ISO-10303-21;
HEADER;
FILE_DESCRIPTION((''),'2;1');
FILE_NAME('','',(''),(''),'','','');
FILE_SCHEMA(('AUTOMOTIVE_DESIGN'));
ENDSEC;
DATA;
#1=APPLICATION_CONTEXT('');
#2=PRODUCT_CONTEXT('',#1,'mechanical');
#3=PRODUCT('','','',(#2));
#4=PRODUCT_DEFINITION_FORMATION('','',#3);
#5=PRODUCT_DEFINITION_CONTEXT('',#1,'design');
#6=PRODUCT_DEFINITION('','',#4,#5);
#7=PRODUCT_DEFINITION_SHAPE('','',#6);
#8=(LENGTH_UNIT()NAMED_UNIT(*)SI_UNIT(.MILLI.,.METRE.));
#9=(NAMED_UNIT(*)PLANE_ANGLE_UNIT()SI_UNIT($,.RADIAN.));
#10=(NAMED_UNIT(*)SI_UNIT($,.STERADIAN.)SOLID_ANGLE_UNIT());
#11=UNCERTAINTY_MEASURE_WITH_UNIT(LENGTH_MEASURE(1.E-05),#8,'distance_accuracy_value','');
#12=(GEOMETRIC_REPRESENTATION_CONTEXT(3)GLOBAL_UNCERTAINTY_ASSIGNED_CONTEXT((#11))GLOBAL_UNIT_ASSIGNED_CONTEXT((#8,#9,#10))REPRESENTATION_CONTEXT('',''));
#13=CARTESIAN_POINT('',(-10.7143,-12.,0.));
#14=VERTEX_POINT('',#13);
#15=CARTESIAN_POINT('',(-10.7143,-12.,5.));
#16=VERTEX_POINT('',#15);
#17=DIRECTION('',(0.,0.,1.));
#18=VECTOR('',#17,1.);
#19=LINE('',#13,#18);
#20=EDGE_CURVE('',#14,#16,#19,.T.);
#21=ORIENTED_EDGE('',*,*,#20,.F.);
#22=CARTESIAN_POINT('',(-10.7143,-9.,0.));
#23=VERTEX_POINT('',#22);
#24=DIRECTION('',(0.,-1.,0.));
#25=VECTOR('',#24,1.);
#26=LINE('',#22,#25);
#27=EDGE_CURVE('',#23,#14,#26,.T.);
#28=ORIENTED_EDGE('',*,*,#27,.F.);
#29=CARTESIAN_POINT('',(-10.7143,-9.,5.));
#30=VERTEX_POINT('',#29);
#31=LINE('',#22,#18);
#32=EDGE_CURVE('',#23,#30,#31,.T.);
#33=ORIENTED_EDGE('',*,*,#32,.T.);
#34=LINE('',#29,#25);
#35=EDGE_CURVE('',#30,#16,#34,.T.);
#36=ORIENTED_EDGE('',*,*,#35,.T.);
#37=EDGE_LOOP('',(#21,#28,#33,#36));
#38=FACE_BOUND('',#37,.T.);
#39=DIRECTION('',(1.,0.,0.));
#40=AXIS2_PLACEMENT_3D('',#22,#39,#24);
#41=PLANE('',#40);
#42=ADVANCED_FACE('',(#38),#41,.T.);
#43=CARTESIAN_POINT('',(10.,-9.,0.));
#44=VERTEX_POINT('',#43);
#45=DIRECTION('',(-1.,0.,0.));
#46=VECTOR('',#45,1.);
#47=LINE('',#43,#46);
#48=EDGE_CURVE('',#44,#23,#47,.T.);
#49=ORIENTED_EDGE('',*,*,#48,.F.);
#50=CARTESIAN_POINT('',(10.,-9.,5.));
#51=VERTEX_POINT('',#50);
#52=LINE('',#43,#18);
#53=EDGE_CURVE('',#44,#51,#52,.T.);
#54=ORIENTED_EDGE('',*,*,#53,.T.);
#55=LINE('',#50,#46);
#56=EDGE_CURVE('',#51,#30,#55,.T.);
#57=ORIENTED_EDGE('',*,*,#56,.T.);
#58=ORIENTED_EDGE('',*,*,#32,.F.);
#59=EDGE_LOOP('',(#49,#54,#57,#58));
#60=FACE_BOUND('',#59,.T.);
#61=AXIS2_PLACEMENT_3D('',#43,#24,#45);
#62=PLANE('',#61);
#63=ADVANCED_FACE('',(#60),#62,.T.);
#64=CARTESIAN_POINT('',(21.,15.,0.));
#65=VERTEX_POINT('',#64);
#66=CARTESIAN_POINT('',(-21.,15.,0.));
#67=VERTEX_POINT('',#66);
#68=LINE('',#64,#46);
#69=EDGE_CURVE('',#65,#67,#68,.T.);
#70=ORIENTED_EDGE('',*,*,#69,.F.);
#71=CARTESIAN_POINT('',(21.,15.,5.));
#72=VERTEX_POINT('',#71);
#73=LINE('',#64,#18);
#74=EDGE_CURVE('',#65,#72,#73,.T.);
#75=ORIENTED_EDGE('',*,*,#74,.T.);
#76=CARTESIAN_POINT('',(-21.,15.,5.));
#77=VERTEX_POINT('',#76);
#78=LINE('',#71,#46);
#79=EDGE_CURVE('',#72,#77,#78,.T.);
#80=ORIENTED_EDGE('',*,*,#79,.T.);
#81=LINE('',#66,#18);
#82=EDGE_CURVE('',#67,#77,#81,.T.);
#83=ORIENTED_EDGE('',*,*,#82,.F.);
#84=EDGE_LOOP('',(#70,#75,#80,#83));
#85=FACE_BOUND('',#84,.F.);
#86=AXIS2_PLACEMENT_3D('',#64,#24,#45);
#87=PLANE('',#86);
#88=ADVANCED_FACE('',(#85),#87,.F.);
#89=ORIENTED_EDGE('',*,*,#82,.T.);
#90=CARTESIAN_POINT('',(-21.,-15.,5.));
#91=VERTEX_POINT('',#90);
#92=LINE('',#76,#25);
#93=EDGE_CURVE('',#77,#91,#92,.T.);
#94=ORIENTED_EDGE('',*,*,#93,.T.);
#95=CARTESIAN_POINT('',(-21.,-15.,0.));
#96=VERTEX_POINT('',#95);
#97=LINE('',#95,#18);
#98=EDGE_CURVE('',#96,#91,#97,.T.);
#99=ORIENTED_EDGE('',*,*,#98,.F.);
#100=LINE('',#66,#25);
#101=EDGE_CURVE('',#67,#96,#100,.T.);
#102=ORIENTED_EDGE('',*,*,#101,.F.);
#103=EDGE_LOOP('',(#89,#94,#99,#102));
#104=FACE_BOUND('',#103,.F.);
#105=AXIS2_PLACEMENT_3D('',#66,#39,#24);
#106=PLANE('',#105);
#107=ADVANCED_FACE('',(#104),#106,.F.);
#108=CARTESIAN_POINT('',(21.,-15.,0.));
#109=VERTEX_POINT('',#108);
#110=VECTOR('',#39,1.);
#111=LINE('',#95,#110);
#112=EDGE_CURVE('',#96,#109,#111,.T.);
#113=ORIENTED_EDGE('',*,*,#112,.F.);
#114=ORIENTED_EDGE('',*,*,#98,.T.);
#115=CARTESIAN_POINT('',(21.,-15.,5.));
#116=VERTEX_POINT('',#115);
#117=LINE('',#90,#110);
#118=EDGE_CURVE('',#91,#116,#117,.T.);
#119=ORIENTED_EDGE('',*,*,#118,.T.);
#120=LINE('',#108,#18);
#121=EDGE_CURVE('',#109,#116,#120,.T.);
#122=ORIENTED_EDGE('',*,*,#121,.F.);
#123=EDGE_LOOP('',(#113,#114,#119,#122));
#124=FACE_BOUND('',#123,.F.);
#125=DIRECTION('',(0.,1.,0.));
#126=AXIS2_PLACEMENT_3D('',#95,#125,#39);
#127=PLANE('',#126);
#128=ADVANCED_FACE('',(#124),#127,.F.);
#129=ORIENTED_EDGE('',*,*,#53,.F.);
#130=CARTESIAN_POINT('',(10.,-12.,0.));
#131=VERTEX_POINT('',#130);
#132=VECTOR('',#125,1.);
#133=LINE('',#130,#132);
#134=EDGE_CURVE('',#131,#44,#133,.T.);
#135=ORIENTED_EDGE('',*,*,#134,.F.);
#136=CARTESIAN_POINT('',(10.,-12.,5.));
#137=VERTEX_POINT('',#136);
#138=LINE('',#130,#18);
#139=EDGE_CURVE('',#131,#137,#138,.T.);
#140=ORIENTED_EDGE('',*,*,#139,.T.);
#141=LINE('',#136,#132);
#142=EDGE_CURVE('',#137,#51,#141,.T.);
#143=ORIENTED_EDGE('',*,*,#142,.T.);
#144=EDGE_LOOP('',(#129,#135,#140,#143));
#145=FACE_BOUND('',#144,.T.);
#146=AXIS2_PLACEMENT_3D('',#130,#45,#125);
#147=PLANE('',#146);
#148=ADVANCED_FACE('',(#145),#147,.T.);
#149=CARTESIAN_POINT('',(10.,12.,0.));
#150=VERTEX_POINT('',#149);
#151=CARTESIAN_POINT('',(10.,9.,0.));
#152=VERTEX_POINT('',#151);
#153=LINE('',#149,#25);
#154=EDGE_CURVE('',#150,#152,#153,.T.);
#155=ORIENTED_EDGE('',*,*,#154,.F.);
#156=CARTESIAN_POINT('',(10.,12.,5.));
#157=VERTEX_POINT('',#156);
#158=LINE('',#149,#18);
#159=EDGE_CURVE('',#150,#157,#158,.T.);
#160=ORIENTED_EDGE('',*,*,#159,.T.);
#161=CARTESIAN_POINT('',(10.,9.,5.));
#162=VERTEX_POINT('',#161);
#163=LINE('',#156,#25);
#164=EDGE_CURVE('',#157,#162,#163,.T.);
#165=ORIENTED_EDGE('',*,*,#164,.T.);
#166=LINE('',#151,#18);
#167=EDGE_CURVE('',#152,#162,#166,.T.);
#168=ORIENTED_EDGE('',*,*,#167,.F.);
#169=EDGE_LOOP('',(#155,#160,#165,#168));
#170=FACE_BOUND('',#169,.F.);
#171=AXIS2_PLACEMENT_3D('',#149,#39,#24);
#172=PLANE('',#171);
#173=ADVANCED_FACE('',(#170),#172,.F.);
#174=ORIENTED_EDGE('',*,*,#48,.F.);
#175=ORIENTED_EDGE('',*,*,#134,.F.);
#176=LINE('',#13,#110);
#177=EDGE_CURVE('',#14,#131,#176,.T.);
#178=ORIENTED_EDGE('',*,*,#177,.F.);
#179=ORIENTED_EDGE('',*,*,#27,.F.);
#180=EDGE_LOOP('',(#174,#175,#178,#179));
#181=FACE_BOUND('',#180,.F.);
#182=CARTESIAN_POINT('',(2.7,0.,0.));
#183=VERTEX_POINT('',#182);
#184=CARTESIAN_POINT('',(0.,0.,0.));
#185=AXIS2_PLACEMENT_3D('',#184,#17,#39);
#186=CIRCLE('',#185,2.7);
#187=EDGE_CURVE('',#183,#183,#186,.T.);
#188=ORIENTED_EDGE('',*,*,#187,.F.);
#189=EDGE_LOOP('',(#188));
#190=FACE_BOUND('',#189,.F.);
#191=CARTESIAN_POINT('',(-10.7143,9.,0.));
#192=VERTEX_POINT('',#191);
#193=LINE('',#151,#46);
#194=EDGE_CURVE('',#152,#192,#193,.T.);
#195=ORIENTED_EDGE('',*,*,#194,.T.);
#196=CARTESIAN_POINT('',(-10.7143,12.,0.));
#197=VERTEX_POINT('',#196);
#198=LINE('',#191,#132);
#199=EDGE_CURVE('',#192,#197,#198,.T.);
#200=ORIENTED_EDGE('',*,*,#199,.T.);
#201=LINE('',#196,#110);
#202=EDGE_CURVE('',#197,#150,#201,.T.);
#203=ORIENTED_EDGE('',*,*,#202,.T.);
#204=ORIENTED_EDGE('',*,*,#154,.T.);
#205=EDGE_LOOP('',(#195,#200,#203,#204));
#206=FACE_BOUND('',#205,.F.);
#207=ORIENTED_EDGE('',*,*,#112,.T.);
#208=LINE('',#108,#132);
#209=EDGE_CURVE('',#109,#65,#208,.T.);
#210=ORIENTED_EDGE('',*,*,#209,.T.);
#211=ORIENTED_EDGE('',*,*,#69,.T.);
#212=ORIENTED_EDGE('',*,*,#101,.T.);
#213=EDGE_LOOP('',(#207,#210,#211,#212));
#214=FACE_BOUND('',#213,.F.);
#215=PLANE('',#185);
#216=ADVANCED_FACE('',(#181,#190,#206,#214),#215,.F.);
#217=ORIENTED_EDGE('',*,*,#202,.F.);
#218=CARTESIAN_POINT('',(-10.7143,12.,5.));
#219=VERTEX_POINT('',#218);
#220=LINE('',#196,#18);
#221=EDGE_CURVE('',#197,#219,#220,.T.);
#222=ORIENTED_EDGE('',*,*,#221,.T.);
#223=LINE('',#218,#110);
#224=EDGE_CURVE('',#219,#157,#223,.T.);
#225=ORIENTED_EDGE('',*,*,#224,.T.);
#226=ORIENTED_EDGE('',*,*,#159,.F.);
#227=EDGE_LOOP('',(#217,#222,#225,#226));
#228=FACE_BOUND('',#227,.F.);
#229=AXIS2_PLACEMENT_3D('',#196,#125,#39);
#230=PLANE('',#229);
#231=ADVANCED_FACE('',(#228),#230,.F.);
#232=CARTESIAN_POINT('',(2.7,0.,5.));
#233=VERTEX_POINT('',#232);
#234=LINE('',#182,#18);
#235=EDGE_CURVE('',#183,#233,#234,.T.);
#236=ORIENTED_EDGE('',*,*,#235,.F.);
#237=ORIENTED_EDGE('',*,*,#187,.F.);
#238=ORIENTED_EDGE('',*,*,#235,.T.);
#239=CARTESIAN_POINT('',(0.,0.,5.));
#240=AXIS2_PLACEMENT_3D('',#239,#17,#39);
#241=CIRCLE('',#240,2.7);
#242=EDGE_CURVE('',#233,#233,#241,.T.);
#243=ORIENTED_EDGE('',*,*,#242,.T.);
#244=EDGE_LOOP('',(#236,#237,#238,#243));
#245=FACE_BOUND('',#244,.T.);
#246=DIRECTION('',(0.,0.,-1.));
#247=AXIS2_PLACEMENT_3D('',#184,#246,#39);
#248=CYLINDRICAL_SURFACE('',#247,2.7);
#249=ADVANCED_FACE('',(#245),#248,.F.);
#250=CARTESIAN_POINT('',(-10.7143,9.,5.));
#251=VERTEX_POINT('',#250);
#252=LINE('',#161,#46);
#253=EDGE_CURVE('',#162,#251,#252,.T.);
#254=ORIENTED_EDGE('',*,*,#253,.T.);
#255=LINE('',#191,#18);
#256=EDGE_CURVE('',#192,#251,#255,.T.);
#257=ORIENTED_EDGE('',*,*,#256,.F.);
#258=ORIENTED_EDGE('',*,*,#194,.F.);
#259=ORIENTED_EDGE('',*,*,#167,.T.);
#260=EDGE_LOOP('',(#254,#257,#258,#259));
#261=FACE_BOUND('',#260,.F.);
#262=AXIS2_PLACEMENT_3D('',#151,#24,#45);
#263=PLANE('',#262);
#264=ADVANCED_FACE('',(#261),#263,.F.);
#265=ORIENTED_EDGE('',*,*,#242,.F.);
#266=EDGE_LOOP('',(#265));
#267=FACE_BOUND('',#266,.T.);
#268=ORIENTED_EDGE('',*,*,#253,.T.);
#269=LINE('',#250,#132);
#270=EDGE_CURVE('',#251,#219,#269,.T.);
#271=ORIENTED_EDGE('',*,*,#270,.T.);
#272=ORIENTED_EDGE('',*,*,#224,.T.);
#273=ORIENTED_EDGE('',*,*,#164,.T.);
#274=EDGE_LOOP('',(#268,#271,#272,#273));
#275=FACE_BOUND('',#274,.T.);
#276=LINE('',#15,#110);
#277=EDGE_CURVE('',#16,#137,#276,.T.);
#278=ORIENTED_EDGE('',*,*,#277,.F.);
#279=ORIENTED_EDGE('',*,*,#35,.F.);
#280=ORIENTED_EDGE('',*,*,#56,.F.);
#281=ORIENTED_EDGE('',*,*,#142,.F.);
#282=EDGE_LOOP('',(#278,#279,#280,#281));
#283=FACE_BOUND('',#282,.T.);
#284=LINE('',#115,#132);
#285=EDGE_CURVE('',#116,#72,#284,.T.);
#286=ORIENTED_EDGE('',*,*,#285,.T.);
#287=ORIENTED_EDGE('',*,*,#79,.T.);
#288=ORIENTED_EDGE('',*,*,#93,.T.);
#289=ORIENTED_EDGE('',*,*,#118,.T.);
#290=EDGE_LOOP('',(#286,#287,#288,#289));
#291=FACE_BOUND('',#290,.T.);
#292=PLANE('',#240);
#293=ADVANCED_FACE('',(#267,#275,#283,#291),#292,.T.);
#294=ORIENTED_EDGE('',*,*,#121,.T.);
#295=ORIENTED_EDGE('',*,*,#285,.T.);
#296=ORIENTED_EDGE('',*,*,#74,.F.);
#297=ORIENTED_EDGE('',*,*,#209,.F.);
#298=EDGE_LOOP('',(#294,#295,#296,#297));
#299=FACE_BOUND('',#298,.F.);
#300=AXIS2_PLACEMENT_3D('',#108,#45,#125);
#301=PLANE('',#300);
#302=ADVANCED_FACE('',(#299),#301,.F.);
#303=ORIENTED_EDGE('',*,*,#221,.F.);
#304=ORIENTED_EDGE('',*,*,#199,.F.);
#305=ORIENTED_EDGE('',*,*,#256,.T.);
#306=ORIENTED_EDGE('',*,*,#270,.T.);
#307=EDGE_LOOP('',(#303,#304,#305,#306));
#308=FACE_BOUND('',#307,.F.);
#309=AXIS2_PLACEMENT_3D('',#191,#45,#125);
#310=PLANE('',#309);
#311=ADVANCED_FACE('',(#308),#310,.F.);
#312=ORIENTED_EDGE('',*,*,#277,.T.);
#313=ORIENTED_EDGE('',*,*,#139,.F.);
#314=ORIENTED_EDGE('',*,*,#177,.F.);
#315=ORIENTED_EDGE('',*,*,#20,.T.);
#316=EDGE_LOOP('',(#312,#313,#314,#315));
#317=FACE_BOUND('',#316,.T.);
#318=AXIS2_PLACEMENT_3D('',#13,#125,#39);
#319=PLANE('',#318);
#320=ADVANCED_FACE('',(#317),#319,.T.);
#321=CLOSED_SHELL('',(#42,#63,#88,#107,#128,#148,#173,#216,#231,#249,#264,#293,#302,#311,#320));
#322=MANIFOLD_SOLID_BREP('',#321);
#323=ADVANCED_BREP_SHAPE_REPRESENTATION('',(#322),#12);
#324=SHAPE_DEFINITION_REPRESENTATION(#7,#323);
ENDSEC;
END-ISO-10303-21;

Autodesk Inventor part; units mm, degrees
ref_plane "YZ Plane" through (0, 0, 0) normal (1, 0, 0) x (0, 1, 0)
ref_plane "XZ Plane" through (0, 0, 0) normal (0, 1, 0) x (-1, 0, 0)
ref_plane "XY Plane" through (0, 0, 0) normal (0, 0, 1) x (1, 0, 0)
sketch "Эскиз1" plane through (0, 0, 0) normal (0, 0, 1) x (1, 0, 0)
  line L0 (-21, -15) -> (21, -15)
  line L1 (21, -15) -> (21, 15)
  line L2 (21, 15) -> (-21, 15)
  line L3 (-21, 15) -> (-21, -15)
  line L4 (-21, -15) -> (21, 15) construction
  line L5 (21, -15) -> (-21, 15) construction
  circle A0 centre (0, 0) radius 2.7
  line L6 (-10.7143, 15) -> (-10.7143, 12) construction
  line L7 (10.7143, 15) -> (10.7143, 13) construction
  line L8 (-10.7143, 12) -> (10, 12)
  line L9 (10, 12) -> (10, 9)
  line L10 (10, 9) -> (-10.7143, 9)
  line L11 (-10.7143, 9) -> (-10.7143, 12)
  line L12 (-21, 0) -> (21, 0) construction
  line L13 (-10.7143, -12) -> (10, -12)
  line L14 (10, -12) -> (10, -9)
  line L15 (-10.7143, -9) -> (-10.7143, -12)
  line L16 (10, -9) -> (-10.7143, -9)
  dimension "d0" = 42
  dimension "d1" = 30
  dimension "d2" = 5.4
  dimension "d3" = 3
  dimension "d4" = 2
  dimension "d5" = 3
extrude "Выдавливание1" add sketch "Эскиз1" along normal blind 5
properties part number "Female for pack"
